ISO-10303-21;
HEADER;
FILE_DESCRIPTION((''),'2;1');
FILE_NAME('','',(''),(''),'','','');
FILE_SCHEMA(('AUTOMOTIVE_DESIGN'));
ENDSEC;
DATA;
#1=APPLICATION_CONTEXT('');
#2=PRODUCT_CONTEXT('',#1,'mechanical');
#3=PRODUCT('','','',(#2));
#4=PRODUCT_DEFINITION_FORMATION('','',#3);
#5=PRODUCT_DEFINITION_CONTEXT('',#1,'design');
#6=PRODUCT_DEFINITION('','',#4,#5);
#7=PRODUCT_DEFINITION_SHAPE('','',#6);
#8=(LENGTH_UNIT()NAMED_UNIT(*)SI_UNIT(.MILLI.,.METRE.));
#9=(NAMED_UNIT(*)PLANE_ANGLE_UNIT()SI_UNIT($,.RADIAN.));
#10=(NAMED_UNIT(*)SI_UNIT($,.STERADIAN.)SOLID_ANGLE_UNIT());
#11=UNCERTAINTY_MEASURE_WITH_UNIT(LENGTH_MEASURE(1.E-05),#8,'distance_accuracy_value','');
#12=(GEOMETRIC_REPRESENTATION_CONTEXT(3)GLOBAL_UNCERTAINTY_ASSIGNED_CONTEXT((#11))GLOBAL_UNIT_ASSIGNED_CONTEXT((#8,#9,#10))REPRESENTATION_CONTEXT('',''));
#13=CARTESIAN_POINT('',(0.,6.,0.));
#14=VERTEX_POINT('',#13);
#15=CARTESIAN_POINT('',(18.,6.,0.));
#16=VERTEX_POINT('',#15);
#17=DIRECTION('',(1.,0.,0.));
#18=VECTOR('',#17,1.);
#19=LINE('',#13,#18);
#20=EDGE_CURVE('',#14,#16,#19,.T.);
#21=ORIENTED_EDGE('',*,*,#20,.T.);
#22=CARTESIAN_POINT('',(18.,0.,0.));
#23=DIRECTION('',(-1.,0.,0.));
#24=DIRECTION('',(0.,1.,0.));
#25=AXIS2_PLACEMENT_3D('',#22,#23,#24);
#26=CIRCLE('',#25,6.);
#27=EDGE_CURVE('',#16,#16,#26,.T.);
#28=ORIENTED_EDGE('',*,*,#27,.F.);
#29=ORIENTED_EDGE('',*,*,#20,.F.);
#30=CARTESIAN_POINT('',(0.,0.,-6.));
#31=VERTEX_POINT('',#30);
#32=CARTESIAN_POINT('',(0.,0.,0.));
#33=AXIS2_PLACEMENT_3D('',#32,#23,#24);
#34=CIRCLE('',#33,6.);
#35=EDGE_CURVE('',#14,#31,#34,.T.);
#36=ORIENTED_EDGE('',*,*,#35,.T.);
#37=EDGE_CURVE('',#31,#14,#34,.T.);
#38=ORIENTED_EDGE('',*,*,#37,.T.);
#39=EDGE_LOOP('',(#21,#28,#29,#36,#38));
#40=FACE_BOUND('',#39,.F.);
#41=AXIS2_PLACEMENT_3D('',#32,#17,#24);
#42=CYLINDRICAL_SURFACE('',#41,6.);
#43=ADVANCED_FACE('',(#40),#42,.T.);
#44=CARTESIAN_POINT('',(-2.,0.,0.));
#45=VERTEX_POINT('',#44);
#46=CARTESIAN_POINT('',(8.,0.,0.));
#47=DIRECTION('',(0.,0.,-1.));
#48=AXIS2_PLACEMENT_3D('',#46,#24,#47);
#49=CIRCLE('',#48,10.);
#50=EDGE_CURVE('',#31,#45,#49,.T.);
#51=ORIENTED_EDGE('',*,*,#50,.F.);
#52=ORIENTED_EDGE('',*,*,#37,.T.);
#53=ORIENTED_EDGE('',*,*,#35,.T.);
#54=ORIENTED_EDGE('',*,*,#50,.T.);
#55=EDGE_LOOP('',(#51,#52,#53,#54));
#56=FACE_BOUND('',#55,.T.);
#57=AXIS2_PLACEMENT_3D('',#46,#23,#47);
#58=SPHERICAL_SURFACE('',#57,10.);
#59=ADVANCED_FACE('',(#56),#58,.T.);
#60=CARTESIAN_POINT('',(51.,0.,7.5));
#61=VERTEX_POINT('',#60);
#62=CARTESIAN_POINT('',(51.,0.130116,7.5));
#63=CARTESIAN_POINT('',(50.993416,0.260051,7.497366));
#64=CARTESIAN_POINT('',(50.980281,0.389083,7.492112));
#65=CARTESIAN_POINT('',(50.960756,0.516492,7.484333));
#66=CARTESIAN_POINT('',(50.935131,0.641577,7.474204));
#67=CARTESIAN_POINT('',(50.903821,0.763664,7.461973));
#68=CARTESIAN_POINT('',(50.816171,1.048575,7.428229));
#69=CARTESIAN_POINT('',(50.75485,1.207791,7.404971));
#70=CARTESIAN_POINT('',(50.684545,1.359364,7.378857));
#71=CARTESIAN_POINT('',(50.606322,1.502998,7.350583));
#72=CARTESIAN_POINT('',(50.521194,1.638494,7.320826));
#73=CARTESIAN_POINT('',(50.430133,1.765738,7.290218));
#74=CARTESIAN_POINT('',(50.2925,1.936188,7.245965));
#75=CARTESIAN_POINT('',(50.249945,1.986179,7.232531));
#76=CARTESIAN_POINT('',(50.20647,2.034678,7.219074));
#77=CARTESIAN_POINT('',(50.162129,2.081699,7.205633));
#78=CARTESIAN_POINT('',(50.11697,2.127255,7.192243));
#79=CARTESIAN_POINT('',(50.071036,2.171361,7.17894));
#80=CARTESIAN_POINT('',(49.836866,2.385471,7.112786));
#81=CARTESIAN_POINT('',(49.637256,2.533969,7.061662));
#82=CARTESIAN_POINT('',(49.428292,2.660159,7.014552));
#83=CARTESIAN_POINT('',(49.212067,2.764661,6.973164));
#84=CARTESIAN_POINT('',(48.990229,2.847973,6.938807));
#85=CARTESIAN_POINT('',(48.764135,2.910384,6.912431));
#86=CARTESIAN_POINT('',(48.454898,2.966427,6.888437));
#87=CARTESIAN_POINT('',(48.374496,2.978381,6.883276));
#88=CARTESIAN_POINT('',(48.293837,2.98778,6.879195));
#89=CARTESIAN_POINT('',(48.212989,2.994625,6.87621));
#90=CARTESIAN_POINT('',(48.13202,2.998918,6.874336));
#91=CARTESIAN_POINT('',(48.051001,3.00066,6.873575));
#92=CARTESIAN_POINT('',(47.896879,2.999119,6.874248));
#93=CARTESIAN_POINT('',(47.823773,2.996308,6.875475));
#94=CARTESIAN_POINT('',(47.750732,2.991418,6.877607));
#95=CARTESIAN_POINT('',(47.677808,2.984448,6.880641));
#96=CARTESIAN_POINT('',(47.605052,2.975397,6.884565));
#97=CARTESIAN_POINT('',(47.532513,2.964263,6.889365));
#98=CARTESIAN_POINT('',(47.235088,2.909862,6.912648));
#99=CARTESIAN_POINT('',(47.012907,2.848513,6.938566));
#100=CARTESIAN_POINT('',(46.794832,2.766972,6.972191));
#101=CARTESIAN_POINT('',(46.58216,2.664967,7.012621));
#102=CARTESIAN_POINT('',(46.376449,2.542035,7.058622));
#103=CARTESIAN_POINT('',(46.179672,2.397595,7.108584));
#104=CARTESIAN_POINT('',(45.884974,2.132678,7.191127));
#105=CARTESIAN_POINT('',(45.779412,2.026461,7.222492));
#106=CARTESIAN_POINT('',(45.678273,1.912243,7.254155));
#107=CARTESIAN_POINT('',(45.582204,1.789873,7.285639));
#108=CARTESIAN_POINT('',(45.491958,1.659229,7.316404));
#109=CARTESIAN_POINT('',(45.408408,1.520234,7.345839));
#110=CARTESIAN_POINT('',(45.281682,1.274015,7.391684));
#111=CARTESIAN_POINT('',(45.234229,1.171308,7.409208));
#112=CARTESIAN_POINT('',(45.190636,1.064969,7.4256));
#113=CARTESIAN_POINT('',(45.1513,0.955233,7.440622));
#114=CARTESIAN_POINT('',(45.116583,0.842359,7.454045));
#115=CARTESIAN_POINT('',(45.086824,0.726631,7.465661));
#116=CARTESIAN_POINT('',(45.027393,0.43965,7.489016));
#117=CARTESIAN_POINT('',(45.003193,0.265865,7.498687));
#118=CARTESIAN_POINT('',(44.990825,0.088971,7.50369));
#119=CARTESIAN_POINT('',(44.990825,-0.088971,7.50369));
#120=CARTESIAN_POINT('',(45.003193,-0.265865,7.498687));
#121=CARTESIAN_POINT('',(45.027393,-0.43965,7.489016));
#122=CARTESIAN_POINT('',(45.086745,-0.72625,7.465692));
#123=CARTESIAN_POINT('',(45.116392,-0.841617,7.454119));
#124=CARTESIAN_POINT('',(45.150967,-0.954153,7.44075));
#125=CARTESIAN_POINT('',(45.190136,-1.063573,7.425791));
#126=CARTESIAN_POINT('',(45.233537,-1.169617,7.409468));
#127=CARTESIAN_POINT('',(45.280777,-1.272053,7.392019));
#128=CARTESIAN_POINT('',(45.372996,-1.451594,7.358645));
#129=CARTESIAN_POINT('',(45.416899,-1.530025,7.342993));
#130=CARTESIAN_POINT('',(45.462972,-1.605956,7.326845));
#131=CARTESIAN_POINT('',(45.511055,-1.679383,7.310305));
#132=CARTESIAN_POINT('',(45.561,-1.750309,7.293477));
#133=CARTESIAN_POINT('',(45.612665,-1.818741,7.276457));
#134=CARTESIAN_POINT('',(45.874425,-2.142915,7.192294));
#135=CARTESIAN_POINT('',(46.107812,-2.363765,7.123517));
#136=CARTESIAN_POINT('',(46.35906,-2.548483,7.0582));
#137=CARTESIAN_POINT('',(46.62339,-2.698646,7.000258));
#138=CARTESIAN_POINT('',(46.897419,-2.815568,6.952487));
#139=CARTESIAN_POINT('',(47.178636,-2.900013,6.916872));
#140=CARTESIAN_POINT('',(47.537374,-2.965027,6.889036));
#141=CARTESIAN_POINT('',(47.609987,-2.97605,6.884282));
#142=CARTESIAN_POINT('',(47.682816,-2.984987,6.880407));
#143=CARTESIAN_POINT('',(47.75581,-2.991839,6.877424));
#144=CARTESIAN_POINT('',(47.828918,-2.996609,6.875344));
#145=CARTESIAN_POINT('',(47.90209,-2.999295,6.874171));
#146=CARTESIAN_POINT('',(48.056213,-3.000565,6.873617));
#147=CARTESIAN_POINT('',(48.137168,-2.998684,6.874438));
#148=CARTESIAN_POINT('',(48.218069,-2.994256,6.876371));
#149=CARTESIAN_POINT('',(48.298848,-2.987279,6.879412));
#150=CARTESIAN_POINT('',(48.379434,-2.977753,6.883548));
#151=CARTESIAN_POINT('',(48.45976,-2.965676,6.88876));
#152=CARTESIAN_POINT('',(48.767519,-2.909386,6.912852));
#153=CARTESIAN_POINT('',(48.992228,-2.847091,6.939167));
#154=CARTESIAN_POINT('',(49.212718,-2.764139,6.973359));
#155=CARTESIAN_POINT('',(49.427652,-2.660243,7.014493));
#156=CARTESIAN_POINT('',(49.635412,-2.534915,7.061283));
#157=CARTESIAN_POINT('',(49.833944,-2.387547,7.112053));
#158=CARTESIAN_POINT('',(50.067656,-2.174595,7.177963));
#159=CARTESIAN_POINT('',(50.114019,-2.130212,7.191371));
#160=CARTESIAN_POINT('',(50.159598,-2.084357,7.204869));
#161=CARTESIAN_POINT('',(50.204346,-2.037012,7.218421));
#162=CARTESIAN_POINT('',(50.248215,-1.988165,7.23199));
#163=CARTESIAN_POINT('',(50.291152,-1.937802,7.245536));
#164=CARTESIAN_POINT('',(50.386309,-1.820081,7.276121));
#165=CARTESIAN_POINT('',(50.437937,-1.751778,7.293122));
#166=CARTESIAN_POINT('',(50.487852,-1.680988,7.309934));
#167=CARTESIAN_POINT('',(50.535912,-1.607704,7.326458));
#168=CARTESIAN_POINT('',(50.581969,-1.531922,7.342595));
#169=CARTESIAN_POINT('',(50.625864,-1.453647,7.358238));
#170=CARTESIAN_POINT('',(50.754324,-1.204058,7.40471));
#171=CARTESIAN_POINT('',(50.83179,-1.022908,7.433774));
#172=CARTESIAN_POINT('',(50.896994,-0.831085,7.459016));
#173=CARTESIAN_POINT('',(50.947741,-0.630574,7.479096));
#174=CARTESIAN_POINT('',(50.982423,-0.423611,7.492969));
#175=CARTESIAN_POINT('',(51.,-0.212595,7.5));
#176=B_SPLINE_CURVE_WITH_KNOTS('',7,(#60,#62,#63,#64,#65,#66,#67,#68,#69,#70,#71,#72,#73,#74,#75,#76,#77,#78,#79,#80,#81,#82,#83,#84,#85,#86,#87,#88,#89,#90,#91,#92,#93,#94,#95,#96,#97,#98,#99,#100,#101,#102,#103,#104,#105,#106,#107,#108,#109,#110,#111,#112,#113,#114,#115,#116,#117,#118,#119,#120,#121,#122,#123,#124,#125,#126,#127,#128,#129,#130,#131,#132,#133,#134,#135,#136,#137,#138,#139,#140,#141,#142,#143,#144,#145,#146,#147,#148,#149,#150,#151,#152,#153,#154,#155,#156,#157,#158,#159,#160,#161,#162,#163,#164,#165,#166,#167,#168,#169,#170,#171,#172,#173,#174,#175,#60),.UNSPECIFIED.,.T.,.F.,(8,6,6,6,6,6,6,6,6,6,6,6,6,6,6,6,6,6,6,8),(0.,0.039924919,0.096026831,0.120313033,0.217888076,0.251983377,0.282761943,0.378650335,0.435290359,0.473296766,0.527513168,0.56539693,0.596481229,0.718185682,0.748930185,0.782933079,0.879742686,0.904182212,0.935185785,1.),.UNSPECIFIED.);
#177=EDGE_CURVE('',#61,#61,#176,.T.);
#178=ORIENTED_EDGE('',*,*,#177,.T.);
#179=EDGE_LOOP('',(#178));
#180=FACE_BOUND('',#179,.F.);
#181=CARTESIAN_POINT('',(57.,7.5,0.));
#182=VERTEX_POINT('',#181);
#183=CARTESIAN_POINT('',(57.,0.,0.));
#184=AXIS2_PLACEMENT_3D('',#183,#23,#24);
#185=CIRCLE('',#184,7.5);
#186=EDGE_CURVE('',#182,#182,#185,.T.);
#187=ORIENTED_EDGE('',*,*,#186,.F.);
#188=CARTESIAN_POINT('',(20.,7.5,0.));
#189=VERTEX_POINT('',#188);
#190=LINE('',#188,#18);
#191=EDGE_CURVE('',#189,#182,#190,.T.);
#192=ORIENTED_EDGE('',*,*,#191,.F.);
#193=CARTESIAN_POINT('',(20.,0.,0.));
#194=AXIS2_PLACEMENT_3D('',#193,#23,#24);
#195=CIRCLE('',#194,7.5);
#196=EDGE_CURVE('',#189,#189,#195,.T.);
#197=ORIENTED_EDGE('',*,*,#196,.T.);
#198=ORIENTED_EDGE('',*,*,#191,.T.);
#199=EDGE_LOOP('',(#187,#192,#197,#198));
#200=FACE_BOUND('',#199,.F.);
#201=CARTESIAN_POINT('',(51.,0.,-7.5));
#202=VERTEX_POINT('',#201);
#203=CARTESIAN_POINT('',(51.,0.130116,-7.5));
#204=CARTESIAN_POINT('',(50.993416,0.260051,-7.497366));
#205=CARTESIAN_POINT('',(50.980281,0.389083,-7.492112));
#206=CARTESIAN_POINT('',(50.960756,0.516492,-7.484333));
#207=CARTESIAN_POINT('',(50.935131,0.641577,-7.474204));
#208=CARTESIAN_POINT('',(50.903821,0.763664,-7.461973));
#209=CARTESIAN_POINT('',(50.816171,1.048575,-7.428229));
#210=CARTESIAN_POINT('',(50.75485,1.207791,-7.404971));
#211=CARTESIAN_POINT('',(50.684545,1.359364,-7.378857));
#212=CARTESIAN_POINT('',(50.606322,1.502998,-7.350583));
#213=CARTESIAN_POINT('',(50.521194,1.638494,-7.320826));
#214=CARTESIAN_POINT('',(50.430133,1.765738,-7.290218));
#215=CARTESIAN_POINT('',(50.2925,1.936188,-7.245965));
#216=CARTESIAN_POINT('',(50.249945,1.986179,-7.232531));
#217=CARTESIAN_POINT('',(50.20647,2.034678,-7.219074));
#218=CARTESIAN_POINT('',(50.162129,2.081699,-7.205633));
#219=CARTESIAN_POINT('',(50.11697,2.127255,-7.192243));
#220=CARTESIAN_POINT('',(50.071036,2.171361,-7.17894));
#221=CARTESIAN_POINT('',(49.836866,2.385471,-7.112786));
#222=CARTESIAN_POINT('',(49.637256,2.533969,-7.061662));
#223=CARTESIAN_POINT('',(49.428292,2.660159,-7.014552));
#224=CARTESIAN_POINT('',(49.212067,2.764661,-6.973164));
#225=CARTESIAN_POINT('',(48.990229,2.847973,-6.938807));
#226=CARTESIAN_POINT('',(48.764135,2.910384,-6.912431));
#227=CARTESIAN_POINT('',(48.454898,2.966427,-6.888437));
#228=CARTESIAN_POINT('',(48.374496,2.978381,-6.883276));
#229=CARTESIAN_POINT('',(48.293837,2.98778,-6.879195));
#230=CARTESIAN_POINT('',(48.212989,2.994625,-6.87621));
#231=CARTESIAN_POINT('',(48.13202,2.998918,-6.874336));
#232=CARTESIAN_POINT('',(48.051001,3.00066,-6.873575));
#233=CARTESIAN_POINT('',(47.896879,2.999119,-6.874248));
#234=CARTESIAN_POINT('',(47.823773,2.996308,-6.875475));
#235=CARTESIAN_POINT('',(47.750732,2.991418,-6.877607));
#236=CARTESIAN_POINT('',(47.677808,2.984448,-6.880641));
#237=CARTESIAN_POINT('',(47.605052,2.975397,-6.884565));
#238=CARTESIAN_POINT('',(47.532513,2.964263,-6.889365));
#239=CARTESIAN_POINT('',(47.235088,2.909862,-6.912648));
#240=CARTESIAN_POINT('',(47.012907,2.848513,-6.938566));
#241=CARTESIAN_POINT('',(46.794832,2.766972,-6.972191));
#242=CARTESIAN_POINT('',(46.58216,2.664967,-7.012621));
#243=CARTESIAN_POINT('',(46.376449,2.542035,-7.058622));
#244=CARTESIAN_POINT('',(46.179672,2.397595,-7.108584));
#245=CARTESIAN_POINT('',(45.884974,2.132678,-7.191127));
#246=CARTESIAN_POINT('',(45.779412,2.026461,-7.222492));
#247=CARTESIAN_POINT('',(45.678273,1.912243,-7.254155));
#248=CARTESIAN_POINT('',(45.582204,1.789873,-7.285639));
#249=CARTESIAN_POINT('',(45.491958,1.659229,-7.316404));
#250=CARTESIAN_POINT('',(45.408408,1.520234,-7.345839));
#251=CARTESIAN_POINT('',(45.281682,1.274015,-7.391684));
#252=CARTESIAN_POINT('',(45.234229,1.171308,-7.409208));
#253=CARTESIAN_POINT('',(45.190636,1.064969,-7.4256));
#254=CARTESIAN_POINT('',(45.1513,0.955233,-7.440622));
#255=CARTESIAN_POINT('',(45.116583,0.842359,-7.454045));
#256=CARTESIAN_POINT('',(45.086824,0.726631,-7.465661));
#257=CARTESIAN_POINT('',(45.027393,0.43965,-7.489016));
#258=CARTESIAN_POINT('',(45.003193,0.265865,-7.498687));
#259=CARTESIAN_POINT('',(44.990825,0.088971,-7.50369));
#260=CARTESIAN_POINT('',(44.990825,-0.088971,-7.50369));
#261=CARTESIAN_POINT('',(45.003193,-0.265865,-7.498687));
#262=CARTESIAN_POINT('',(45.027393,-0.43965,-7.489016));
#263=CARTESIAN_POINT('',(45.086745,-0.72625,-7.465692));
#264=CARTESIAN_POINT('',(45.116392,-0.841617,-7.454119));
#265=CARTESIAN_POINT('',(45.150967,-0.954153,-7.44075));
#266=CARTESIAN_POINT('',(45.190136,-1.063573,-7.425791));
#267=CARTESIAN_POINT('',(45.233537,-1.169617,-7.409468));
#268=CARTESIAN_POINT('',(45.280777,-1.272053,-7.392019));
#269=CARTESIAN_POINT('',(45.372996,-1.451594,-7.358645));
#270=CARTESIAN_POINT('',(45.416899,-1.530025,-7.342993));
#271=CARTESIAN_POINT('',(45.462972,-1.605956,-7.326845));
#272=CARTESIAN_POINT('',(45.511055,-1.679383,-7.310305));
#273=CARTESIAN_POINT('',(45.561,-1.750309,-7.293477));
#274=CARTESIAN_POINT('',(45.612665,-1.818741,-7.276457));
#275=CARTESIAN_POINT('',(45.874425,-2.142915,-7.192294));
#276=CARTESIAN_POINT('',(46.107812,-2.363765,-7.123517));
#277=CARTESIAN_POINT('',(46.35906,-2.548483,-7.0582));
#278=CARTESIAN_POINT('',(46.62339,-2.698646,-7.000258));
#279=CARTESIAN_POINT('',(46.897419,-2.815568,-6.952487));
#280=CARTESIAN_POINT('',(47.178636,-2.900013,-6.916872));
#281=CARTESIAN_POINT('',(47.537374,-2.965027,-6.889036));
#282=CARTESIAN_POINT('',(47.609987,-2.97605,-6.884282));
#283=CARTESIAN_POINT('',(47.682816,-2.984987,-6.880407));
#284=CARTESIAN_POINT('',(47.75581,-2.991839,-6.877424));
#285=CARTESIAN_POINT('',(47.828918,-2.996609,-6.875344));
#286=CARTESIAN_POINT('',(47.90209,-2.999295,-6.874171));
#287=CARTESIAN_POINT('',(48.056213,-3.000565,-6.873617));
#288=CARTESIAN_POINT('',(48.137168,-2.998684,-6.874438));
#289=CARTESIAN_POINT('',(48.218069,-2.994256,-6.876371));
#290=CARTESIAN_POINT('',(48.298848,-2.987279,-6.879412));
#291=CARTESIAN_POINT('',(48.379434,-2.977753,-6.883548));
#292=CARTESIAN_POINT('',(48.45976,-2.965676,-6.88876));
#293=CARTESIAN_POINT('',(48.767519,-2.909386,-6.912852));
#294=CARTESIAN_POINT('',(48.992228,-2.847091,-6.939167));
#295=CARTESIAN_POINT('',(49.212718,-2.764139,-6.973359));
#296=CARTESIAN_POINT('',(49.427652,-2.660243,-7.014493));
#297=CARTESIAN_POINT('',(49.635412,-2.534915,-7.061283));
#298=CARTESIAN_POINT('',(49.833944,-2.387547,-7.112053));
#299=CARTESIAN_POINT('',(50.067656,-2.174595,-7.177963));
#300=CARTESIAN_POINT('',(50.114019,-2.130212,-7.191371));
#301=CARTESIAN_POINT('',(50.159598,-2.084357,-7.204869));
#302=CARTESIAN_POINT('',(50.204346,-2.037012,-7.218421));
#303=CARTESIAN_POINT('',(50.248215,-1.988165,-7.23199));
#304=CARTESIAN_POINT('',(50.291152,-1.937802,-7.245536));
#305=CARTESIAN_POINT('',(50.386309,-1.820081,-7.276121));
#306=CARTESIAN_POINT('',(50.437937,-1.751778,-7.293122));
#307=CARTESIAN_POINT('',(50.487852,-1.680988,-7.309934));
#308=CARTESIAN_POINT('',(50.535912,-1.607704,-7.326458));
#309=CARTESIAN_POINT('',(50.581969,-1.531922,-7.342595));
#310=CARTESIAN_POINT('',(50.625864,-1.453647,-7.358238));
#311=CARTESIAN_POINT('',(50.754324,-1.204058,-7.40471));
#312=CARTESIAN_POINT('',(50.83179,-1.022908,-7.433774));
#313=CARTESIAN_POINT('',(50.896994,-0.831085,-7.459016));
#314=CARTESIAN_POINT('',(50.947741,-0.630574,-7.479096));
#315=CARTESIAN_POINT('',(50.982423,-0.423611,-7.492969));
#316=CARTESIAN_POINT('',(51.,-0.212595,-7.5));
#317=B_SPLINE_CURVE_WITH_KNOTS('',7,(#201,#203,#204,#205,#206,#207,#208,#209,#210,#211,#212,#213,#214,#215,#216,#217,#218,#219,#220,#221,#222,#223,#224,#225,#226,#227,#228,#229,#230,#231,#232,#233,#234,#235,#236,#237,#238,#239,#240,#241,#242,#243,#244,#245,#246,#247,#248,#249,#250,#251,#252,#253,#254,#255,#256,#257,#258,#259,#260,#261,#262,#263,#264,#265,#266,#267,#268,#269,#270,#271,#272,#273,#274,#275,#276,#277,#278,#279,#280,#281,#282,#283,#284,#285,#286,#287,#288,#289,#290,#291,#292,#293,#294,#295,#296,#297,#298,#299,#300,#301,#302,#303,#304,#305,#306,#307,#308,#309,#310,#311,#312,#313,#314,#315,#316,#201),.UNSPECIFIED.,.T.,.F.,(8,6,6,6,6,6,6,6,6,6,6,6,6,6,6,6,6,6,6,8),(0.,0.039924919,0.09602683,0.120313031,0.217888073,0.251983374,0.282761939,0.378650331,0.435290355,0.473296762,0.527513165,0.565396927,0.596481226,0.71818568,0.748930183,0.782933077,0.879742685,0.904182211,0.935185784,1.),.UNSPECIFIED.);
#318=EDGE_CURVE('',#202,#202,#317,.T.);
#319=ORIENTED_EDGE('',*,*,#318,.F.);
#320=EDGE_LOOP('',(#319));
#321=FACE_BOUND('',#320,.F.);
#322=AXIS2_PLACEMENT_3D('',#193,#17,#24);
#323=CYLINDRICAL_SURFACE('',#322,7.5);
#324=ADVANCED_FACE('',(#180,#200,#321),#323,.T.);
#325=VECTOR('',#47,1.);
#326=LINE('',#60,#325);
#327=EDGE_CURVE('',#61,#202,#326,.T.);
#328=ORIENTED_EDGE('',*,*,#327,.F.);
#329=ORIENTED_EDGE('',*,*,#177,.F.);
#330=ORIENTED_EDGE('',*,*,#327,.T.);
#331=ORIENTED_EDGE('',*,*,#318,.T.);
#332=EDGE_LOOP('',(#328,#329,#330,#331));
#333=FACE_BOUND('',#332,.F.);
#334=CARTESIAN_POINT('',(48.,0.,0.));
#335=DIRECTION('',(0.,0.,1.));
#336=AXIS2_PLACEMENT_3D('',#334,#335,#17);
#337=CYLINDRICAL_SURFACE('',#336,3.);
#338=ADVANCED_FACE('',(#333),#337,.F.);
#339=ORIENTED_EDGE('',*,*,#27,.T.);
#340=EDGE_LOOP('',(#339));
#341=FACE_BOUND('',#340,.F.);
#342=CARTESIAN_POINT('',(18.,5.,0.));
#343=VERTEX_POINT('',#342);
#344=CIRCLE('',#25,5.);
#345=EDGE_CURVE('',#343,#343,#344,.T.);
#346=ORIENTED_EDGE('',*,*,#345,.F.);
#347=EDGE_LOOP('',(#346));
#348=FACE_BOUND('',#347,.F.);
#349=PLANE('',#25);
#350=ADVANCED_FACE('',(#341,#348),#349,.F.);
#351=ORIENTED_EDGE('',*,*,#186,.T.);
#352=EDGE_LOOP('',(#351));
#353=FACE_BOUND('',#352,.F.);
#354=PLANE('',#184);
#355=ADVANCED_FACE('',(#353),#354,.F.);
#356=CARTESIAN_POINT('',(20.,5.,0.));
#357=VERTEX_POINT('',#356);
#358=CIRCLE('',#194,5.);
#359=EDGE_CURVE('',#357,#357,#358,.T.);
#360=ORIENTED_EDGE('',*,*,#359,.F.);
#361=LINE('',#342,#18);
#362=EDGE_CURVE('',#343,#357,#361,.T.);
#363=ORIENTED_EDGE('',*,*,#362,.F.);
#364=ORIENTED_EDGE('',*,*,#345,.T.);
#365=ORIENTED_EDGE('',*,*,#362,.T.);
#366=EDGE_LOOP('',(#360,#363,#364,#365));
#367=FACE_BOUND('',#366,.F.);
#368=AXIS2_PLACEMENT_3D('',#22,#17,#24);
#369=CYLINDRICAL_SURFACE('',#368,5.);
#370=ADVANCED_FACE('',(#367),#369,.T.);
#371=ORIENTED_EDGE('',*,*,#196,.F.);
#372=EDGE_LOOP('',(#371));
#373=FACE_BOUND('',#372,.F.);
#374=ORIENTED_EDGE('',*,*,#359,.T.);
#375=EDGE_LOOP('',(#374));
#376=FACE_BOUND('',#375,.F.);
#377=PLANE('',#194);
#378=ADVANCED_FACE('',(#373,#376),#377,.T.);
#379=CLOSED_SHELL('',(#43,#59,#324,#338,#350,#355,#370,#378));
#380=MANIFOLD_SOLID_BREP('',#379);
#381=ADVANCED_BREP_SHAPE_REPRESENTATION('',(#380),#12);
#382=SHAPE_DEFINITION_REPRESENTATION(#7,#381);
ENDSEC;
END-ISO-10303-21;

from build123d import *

# Parameters (mm, degrees)
SKETCH2_R               = 3
CUT_EXTRUDE1_DEPTH      = 8.5
CUT_EXTRUDE1_DEPTH_BACK = 8.5
DOME1_FACE_RADIUS       = 6
DOME1_HEIGHT            = 2


with BuildPart() as part:
    # Sketch1 → Revolve1 (revolve)
    with BuildSketch(Plane.XY):
        Polygon((57, 0), (0, 0), (0, 6), (18, 6), (18, 5), (20, 5), (20, 7.5), (57, 7.5), align=None)
    revolve(axis=Axis((57, 0, 0), (-1, 0, 0)))

    # Sketch2 → Cut-Extrude1 (cut, two sides)
    with BuildSketch(Plane.XY) as cut_extrude1_sk:
        with Locations((48, 0)):
            Circle(SKETCH2_R)
    extrude(amount=CUT_EXTRUDE1_DEPTH, mode=Mode.SUBTRACT)
    extrude(cut_extrude1_sk.sketch, amount=-CUT_EXTRUDE1_DEPTH_BACK, mode=Mode.SUBTRACT)

    # Dome1: a dome of height H over a round flat face of radius A is a cap of a sphere of radius (A * A + H * H) / (2 * H)
    dome1_r = (DOME1_FACE_RADIUS * DOME1_FACE_RADIUS + DOME1_HEIGHT * DOME1_HEIGHT) / (2 * DOME1_HEIGHT)
    dome1_base = Plane((0, 0, 0), z_dir=(-1, 0, 0))
    with Locations(dome1_base.offset(DOME1_HEIGHT - dome1_r)):
        dome1_ball = Sphere(dome1_r, mode=Mode.PRIVATE)
    add(split(dome1_ball, bisect_by=dome1_base, keep=Keep.TOP, mode=Mode.PRIVATE))


solid = part.part
